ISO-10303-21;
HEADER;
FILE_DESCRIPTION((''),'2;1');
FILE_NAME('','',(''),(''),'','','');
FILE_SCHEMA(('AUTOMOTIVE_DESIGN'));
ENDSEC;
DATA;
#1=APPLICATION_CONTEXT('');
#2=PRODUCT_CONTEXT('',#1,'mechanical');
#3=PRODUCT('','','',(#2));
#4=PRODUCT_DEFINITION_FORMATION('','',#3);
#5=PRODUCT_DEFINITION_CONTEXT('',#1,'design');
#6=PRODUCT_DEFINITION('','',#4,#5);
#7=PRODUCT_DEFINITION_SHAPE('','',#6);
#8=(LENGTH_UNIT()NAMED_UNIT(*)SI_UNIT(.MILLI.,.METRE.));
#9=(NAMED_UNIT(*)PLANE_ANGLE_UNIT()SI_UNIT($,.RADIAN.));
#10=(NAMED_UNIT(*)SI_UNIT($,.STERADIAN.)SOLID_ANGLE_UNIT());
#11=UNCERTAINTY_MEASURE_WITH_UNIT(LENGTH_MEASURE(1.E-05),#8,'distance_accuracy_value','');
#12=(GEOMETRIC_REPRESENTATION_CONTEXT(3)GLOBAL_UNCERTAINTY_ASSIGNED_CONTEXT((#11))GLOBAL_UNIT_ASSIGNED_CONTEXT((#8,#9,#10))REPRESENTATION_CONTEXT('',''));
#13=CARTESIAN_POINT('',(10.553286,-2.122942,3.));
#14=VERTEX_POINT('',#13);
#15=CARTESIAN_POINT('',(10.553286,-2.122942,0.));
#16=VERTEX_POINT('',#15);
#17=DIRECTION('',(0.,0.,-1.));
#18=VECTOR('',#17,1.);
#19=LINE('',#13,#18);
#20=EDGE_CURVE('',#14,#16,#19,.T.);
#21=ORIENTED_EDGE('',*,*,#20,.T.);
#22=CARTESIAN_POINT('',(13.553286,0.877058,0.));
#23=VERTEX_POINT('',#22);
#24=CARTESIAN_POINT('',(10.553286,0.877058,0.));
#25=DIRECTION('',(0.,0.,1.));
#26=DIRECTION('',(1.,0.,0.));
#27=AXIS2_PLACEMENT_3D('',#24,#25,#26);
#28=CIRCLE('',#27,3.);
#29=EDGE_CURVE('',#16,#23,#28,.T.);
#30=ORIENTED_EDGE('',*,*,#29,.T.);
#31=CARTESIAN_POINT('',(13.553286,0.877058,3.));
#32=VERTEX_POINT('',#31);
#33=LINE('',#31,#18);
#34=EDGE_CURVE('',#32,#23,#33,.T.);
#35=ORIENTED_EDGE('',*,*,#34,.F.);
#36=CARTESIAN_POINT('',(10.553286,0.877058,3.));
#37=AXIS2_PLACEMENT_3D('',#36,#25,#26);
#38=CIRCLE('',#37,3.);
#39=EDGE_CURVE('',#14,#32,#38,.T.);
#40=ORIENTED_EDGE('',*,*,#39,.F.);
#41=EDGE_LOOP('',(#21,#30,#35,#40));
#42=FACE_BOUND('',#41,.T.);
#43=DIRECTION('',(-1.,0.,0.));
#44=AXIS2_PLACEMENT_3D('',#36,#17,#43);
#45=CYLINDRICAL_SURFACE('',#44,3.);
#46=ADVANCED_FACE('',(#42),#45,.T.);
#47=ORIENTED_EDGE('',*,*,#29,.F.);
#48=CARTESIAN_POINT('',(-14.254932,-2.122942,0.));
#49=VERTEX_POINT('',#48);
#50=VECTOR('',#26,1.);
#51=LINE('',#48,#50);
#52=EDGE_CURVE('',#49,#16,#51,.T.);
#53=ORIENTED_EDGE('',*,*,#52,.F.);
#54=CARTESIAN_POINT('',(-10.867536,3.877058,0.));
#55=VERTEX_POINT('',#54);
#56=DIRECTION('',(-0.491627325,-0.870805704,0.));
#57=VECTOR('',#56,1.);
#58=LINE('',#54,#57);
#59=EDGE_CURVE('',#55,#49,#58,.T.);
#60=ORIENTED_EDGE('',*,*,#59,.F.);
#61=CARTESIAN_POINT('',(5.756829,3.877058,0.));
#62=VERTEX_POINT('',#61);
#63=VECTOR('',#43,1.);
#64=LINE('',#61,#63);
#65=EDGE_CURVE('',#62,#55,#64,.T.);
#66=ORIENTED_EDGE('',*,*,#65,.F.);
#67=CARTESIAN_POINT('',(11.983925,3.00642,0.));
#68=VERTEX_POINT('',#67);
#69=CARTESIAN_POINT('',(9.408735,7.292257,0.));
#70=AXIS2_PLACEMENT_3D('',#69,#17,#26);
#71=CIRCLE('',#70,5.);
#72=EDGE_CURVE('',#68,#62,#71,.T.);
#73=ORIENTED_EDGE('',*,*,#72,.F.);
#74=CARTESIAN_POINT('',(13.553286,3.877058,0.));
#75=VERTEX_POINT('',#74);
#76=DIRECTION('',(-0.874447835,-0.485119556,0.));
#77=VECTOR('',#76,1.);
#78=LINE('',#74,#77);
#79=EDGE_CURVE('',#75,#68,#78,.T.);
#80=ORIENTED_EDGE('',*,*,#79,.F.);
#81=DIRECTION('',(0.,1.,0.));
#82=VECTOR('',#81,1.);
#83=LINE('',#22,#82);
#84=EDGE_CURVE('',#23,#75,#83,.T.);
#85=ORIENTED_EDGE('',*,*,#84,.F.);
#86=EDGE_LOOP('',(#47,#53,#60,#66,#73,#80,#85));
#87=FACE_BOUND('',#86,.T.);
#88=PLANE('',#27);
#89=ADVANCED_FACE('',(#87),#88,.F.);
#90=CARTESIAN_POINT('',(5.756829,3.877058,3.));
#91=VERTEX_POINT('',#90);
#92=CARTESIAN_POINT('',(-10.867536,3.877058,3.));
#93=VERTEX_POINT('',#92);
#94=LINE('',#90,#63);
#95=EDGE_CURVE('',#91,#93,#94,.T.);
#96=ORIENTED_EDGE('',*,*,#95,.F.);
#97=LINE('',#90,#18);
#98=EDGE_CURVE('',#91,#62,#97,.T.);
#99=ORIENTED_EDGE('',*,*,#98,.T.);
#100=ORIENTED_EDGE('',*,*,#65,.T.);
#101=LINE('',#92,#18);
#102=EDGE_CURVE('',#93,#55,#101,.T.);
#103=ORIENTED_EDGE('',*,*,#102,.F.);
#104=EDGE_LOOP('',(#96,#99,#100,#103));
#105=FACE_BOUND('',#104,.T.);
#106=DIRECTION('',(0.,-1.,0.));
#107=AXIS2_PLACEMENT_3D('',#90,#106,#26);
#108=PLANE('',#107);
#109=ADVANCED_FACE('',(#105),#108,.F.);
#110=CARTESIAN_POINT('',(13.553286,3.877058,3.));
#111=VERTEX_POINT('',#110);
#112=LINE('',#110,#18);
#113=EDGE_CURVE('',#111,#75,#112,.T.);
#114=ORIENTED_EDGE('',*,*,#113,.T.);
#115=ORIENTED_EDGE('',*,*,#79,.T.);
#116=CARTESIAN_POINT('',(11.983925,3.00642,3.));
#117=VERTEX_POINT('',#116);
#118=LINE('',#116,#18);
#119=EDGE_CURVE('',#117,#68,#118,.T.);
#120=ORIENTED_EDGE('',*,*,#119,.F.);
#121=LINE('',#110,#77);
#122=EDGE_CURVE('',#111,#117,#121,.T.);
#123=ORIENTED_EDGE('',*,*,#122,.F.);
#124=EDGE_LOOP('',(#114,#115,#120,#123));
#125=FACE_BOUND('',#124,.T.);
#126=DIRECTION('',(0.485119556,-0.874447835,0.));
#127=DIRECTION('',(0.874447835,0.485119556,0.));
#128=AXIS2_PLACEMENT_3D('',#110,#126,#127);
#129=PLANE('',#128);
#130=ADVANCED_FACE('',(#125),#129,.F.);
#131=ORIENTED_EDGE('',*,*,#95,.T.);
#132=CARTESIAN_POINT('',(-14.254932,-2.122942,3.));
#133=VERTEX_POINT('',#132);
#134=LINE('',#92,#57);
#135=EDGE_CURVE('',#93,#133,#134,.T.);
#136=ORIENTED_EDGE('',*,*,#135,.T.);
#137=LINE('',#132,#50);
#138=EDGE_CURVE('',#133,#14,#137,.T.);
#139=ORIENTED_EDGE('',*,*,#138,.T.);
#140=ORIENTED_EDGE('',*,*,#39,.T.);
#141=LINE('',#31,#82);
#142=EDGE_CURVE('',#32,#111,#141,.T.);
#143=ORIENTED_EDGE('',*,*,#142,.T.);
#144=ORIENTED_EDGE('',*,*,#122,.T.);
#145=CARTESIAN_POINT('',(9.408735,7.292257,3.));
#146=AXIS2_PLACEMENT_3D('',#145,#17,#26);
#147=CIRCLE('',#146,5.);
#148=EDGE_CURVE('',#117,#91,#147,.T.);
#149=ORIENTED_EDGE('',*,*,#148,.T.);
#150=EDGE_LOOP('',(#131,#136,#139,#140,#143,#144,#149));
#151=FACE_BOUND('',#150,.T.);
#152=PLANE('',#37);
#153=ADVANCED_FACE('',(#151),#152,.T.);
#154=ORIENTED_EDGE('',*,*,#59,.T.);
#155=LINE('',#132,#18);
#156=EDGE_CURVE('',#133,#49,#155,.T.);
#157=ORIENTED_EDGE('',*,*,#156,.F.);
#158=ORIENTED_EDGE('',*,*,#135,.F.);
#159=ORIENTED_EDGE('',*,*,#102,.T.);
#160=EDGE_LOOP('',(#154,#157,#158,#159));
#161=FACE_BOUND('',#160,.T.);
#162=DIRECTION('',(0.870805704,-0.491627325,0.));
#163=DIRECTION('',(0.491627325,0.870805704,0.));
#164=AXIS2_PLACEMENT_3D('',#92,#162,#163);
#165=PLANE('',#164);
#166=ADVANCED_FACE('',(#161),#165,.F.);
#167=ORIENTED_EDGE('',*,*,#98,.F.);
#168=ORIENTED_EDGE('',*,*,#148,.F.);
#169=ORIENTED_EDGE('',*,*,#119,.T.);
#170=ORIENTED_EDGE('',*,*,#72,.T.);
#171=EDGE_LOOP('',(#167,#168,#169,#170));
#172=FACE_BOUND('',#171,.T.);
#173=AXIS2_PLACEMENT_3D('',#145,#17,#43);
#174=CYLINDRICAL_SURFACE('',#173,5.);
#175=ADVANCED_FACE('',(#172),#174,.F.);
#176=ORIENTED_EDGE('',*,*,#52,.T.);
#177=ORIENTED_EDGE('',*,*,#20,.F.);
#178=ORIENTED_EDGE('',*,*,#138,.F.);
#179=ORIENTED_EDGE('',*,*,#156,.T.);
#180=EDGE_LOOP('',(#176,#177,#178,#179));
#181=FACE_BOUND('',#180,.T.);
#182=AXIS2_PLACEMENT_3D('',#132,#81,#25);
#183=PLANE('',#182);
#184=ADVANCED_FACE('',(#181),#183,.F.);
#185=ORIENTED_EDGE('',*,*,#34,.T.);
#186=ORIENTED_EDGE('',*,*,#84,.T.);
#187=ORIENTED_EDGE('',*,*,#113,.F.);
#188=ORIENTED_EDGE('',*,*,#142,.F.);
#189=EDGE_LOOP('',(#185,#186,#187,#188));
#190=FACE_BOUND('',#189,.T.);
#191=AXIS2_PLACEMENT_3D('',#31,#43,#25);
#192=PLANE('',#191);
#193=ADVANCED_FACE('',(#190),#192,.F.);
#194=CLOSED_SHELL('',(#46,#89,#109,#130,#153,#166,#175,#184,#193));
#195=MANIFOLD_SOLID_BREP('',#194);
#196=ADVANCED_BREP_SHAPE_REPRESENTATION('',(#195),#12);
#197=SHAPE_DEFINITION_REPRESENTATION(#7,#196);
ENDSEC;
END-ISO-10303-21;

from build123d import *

# Parameters (mm, degrees)
BOSS_EXTRUDE1_DEPTH = 3


with BuildPart() as part:
    # Sketch1 → Boss-Extrude1 (new body)
    with BuildSketch(Plane(origin=(0, 0, 0), x_dir=(0, 1, 0), z_dir=(0, 0, 1))):
        with BuildLine():
            Line((-2.122941602, 14.254932242), (-2.122941602, -10.553285524))
            ThreePointArc((-2.122941602, -10.553285524), (-1.244261946, -12.674605867), (0.877058398, -13.553285524))
            Line((0.877058398, -13.553285524), (3.877058398, -13.553285524))
            Line((3.877058398, -13.553285524), (3.006420494, -11.983925105))
            ThreePointArc((3.006420494, -11.983925105), (2.340422166, -8.716396804), (3.877058398, -5.756828581))
            Line((3.877058398, -5.756828581), (3.877058398, 10.86753602))
            Line((3.877058398, 10.86753602), (-2.122941602, 14.254932242))
        make_face()
    extrude(amount=BOSS_EXTRUDE1_DEPTH)


solid = part.part
